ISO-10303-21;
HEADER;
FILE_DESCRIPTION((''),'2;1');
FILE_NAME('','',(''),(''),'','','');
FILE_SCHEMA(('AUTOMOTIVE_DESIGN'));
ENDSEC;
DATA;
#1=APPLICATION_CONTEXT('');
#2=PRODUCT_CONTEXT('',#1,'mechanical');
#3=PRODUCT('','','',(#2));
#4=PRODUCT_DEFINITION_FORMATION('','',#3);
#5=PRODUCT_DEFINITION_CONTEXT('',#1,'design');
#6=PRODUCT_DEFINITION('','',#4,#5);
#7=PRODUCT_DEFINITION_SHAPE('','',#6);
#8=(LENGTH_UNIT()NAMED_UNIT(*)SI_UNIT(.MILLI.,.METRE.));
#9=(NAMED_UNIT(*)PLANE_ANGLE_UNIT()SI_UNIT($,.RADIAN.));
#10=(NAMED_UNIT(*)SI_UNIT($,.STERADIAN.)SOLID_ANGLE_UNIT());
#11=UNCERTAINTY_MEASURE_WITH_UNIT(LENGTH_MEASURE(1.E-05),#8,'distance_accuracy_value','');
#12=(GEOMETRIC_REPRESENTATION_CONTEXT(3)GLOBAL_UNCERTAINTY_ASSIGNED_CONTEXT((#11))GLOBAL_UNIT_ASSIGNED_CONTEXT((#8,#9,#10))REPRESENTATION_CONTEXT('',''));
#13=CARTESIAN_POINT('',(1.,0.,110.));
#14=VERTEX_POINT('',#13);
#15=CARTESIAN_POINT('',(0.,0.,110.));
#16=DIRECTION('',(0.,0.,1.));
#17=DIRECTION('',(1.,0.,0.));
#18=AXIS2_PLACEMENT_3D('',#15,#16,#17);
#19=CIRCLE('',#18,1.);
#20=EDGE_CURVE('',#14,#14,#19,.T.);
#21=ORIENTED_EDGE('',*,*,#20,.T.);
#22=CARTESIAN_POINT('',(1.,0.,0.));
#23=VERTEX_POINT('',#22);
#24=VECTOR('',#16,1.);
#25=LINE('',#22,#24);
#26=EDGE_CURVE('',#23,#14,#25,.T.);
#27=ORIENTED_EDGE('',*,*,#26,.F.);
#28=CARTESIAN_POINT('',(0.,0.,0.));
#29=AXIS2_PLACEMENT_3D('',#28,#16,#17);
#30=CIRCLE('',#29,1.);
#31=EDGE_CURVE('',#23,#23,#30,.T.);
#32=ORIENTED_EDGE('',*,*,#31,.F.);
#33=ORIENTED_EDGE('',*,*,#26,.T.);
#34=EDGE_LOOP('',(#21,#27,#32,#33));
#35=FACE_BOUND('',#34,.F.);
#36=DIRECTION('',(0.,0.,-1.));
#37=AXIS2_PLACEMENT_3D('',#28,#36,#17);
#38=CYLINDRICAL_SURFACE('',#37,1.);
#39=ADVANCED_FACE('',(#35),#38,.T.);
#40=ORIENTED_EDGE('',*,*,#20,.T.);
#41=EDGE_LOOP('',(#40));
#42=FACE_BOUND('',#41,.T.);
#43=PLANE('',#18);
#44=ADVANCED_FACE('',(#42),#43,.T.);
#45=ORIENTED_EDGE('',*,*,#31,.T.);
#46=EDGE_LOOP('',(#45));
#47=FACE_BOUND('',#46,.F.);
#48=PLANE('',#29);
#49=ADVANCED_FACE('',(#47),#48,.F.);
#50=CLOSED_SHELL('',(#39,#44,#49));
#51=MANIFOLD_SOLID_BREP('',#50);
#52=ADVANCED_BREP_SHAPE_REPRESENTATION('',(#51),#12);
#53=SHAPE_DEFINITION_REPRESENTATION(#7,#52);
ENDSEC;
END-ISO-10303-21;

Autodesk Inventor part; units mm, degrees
ref_plane "YZ Plane" through (0, 0, 0) normal (1, 0, 0) x (0, 1, 0)
ref_plane "XZ Plane" through (0, 0, 0) normal (0, 1, 0) x (-1, 0, 0)
ref_plane "XY Plane" through (0, 0, 0) normal (0, 0, 1) x (1, 0, 0)
sketch "Sketch1" plane through (0, 0, 0) normal (0, 0, 1) x (1, 0, 0)
  circle A0 centre (0, 0) radius 1
  dimension "d0" = 2
extrude "Extrusion1" add sketch "Sketch1" along normal blind 110
properties part number "Shaft"
